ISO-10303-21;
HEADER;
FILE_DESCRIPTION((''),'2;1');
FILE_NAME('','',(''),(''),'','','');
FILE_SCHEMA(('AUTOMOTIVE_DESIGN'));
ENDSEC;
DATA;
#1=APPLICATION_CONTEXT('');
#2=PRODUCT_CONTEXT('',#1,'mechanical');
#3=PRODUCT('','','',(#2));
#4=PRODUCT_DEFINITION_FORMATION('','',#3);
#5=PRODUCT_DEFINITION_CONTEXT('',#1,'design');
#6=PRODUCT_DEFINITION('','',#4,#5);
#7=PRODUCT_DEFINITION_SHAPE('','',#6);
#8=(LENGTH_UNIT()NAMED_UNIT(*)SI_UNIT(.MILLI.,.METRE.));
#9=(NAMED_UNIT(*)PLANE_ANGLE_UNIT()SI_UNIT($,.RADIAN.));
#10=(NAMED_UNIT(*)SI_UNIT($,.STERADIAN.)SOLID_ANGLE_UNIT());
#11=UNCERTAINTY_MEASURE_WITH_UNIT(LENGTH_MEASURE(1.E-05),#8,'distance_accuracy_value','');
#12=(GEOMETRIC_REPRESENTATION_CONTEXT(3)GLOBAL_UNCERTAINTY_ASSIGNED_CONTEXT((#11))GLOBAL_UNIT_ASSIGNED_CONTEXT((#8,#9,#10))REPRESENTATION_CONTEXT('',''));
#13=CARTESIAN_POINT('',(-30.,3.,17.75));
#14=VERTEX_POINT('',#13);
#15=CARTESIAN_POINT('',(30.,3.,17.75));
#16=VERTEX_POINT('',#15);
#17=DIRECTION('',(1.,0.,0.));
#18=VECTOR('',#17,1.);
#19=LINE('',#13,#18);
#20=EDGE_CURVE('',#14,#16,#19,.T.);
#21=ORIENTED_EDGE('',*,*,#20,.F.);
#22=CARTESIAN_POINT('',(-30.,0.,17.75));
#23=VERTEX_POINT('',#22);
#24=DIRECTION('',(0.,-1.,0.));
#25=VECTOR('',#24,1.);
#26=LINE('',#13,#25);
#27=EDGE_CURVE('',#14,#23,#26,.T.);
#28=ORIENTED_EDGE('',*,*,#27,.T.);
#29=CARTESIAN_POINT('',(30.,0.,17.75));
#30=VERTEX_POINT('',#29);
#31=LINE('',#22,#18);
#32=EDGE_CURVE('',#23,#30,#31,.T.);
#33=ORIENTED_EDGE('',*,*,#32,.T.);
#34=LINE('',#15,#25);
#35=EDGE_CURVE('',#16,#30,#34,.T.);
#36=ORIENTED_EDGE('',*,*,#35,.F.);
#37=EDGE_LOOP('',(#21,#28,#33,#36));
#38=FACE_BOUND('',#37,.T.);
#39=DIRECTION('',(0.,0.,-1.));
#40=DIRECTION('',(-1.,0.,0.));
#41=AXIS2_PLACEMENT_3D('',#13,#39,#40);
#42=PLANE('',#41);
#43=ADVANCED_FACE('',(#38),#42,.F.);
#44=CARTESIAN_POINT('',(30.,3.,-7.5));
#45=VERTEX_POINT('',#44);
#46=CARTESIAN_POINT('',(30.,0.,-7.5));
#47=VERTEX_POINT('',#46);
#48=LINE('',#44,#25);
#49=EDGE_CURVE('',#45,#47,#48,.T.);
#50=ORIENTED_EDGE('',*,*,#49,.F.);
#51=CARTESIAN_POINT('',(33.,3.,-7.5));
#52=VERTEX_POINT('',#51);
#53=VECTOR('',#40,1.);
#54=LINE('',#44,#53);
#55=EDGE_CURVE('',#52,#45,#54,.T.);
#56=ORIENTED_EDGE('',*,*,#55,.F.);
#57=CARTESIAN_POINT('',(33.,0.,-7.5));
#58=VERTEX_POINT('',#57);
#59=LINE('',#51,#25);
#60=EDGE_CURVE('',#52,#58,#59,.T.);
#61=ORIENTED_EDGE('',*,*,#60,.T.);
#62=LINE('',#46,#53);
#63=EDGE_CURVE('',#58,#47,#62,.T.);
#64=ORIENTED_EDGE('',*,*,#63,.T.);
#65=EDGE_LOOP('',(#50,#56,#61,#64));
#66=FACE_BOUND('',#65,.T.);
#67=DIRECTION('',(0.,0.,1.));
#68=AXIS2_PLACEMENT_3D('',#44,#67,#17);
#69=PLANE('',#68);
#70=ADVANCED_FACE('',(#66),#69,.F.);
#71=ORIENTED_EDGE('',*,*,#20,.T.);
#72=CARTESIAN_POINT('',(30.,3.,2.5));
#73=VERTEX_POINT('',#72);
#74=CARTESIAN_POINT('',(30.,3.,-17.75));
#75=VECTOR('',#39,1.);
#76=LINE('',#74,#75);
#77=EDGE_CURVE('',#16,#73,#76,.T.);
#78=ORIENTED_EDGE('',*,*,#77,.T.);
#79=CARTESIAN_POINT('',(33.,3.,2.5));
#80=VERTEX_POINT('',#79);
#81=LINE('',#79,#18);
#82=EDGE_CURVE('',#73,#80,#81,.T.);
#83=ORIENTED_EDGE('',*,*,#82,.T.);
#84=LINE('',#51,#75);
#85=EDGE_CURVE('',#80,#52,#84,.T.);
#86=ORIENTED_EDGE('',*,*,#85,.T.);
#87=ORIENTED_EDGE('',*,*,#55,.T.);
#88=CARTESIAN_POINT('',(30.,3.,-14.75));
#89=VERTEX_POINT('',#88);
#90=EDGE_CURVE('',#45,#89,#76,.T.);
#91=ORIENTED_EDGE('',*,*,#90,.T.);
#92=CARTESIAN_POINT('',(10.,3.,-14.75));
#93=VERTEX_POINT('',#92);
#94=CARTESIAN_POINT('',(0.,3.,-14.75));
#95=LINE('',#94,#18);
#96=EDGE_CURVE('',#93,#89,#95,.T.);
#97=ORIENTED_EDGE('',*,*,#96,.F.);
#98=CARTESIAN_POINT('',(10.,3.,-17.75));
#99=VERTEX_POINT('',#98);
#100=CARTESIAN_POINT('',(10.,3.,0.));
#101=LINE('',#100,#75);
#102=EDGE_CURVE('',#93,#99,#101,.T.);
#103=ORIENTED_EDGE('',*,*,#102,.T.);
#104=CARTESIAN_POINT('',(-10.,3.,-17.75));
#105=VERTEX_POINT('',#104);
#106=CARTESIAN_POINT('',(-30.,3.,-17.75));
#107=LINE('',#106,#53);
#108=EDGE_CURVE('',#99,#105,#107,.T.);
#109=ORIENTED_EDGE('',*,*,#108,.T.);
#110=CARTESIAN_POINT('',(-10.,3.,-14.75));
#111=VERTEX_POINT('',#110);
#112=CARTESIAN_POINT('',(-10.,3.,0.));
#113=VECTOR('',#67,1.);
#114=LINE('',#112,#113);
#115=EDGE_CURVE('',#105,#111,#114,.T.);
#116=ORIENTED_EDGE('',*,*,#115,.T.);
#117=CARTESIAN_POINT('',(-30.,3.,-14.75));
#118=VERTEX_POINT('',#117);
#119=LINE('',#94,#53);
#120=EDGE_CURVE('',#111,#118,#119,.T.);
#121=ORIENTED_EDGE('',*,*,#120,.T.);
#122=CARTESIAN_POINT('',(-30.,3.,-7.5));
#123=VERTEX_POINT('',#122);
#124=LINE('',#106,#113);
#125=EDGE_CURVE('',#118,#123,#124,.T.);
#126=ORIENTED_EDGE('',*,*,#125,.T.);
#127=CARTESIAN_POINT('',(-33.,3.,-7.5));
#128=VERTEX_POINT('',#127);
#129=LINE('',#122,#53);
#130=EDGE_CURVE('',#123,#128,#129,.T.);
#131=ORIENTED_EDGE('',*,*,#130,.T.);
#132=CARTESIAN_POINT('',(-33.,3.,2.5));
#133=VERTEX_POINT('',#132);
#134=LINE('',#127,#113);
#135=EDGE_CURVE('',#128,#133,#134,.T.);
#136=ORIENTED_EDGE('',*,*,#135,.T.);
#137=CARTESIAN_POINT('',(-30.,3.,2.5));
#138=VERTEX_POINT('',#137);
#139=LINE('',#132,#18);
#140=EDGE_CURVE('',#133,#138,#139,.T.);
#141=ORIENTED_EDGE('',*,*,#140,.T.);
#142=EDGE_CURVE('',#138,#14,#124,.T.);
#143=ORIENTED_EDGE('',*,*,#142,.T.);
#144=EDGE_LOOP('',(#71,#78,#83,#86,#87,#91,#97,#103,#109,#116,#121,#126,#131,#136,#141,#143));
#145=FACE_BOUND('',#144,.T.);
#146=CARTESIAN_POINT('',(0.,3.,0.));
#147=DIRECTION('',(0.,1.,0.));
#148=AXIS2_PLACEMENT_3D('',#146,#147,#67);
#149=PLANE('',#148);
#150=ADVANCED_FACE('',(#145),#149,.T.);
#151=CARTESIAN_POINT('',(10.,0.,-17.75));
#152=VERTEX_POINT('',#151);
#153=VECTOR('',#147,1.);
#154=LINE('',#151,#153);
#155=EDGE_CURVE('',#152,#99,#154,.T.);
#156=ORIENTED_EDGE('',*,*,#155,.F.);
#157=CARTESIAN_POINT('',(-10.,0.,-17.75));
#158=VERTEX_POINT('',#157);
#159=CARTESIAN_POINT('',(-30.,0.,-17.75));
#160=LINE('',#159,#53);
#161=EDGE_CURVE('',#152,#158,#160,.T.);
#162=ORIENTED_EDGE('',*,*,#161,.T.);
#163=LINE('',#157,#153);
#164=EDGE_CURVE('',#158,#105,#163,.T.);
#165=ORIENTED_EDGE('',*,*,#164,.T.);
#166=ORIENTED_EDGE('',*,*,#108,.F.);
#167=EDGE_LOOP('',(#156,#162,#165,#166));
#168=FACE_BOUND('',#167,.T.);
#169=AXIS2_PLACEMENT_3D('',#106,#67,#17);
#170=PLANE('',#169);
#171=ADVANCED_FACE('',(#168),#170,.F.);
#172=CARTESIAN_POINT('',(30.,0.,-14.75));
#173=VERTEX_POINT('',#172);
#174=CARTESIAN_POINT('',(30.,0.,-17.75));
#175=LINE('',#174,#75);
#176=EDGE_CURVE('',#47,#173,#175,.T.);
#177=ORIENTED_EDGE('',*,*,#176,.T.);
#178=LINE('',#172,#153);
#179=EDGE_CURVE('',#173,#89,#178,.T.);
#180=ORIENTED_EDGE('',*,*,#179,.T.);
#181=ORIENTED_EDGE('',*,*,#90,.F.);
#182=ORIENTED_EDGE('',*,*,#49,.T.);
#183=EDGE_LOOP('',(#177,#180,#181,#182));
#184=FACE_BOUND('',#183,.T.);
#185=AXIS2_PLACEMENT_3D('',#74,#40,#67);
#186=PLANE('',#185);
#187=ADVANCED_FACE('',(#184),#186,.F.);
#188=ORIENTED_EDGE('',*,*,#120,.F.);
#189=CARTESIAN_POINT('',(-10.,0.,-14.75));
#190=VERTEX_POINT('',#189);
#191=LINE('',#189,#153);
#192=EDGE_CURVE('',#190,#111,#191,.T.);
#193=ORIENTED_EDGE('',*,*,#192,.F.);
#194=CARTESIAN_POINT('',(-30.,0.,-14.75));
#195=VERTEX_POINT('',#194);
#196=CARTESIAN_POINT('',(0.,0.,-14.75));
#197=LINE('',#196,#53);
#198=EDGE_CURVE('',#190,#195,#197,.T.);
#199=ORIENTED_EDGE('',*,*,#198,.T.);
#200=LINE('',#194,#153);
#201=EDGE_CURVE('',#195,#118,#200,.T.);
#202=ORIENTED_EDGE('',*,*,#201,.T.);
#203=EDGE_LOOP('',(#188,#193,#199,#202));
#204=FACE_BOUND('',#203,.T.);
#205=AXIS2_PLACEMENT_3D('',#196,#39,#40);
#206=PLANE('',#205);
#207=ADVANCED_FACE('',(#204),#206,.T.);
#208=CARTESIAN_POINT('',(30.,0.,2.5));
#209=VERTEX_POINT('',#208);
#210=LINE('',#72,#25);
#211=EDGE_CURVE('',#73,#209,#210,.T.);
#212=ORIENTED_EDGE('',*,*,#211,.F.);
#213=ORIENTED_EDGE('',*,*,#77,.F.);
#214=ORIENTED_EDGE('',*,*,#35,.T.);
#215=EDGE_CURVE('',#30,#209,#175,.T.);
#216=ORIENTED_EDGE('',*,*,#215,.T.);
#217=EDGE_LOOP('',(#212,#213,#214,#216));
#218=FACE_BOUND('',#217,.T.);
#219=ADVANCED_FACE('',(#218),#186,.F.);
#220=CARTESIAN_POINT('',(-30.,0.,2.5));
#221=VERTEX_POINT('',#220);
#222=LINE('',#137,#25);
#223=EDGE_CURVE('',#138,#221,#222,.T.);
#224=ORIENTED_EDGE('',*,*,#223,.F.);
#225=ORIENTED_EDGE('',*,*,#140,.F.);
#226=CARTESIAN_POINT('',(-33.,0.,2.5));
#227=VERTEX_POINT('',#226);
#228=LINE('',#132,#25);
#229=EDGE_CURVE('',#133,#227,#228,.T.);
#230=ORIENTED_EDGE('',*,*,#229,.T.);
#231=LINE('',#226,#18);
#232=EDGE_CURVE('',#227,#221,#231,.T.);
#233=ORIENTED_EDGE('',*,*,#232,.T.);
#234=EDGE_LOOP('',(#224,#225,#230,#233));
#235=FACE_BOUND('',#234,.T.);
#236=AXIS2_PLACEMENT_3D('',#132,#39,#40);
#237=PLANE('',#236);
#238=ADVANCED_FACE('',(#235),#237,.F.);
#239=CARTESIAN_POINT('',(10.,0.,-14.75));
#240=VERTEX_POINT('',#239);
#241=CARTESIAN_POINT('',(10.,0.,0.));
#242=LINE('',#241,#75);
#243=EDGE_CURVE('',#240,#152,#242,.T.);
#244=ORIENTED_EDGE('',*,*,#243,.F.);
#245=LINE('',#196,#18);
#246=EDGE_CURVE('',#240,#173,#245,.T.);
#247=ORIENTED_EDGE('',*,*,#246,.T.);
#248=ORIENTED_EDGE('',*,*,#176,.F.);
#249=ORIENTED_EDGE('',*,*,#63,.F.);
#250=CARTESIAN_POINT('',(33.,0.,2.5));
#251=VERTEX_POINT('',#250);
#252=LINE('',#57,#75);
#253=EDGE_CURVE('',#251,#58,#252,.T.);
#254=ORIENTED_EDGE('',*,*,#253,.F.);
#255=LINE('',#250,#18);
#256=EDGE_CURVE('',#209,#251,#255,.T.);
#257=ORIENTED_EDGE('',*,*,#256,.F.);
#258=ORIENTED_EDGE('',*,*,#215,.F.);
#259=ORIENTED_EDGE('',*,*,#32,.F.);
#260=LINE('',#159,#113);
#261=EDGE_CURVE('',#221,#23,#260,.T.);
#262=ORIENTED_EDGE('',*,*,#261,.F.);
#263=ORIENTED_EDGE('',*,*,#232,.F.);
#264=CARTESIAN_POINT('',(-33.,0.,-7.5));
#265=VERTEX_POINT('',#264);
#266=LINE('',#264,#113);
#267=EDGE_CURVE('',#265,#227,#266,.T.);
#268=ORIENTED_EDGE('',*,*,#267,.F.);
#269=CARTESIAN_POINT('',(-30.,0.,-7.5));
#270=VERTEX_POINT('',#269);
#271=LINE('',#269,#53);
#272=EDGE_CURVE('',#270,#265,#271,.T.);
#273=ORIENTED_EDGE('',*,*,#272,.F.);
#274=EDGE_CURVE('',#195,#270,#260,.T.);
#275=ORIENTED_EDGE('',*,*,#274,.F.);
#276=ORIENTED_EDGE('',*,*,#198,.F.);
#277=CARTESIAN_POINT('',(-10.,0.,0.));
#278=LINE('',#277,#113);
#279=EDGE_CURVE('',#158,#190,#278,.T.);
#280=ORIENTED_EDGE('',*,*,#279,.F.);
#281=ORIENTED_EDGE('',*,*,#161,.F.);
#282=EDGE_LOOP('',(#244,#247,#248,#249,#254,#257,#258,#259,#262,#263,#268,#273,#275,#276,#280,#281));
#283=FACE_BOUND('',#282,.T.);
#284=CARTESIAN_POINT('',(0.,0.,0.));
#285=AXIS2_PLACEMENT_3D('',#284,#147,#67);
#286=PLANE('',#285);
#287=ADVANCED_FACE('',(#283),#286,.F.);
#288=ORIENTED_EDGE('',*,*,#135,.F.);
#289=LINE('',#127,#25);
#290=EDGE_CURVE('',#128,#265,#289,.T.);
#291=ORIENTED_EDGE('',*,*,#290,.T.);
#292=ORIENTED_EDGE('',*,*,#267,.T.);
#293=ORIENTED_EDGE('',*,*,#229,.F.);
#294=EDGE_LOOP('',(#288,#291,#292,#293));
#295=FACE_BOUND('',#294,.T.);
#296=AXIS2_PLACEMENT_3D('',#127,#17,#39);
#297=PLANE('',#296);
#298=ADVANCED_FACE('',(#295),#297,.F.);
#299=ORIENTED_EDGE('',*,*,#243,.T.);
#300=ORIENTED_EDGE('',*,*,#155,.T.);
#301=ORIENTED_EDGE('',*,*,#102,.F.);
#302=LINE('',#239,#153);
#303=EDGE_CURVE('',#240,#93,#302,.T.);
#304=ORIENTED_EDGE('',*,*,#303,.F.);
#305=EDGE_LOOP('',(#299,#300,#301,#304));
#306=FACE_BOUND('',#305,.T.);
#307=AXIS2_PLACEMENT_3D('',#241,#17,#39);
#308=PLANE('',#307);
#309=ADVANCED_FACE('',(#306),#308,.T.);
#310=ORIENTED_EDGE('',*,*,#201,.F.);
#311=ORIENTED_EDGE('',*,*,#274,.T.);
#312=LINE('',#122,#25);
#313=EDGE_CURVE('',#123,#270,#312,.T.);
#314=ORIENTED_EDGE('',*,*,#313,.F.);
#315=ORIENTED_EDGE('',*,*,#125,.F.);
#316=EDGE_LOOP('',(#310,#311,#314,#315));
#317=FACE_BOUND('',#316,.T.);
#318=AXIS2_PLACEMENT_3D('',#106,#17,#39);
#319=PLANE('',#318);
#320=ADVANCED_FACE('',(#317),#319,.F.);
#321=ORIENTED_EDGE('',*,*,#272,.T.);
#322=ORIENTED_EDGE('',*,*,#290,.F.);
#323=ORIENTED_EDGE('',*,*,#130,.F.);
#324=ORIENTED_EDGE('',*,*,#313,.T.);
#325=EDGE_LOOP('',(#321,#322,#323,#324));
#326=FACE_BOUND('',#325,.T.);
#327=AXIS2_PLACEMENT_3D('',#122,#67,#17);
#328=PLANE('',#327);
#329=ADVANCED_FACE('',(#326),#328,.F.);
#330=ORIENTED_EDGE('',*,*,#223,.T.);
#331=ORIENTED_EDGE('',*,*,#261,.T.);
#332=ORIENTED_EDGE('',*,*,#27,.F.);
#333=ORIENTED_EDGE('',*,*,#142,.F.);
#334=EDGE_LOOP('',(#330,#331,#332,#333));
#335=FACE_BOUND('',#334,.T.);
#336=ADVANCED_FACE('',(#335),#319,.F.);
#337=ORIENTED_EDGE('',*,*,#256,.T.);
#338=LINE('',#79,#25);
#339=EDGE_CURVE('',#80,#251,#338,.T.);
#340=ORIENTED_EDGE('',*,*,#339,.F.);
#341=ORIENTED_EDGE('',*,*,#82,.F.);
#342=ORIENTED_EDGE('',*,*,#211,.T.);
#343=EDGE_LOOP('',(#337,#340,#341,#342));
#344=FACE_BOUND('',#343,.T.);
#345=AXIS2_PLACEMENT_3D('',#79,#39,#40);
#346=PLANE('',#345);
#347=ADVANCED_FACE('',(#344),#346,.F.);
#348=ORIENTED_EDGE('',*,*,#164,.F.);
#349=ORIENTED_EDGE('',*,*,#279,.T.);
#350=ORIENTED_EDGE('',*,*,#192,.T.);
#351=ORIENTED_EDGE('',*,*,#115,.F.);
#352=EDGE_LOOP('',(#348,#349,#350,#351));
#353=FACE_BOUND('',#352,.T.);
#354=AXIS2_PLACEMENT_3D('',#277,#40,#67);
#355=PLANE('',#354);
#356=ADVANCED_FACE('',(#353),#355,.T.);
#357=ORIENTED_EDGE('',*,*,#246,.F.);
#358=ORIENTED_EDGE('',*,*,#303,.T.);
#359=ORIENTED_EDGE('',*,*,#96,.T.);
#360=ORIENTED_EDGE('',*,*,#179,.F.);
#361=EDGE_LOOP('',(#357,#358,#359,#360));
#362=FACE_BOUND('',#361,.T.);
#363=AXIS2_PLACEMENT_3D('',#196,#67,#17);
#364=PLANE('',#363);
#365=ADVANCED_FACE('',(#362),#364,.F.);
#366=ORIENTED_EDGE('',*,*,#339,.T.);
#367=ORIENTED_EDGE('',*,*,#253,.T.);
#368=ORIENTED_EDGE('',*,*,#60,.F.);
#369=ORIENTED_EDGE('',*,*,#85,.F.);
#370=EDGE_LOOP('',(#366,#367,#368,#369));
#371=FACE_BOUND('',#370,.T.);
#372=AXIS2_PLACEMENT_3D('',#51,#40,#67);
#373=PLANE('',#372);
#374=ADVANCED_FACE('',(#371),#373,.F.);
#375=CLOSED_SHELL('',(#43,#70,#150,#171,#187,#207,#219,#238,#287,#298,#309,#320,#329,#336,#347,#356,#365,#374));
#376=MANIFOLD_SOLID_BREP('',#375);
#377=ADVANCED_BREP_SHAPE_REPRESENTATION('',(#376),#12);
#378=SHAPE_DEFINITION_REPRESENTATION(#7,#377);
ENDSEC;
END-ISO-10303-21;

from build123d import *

# Parameters (mm, degrees)
SKETCH2_W           = 60
SKETCH2_H           = 35.5
BOSS_EXTRUDE1_DEPTH = 3
SKETCH3_W           = 3
SKETCH3_H           = 10
BOSS_EXTRUDE2_DEPTH = 3
SKETCH4_W           = 20
SKETCH4_H           = 3
CUT_EXTRUDE2_DEPTH  = 3


with BuildPart() as part:
    # Sketch2 → Boss-Extrude1 (new body)
    with BuildSketch(Plane(origin=(0, 0, 0), x_dir=(1, 0, 0), z_dir=(0, 1, 0))):
        Rectangle(SKETCH2_W, SKETCH2_H)
    extrude(amount=BOSS_EXTRUDE1_DEPTH)

    # Sketch3 → Boss-Extrude2 (add)
    with BuildSketch(Plane(origin=(0, 0, 0), x_dir=(1, 0, 0), z_dir=(0, 1, 0))):
        with Locations((-31.5, 2.5)):
            Rectangle(SKETCH3_W, SKETCH3_H)
        with Locations((31.5, 2.5)):
            Rectangle(SKETCH3_W, SKETCH3_H)
    extrude(amount=BOSS_EXTRUDE2_DEPTH)

    # Sketch4 → Cut-Extrude2 (cut)
    with BuildSketch(Plane(origin=(0, 3, 0), x_dir=(1, 0, 0), z_dir=(0, 1, 0))):
        with Locations((-20, 16.25)):
            Rectangle(SKETCH4_W, SKETCH4_H)
        with Locations((20, 16.25)):
            Rectangle(SKETCH4_W, SKETCH4_H)
    extrude(amount=-CUT_EXTRUDE2_DEPTH, mode=Mode.SUBTRACT)


solid = part.part
